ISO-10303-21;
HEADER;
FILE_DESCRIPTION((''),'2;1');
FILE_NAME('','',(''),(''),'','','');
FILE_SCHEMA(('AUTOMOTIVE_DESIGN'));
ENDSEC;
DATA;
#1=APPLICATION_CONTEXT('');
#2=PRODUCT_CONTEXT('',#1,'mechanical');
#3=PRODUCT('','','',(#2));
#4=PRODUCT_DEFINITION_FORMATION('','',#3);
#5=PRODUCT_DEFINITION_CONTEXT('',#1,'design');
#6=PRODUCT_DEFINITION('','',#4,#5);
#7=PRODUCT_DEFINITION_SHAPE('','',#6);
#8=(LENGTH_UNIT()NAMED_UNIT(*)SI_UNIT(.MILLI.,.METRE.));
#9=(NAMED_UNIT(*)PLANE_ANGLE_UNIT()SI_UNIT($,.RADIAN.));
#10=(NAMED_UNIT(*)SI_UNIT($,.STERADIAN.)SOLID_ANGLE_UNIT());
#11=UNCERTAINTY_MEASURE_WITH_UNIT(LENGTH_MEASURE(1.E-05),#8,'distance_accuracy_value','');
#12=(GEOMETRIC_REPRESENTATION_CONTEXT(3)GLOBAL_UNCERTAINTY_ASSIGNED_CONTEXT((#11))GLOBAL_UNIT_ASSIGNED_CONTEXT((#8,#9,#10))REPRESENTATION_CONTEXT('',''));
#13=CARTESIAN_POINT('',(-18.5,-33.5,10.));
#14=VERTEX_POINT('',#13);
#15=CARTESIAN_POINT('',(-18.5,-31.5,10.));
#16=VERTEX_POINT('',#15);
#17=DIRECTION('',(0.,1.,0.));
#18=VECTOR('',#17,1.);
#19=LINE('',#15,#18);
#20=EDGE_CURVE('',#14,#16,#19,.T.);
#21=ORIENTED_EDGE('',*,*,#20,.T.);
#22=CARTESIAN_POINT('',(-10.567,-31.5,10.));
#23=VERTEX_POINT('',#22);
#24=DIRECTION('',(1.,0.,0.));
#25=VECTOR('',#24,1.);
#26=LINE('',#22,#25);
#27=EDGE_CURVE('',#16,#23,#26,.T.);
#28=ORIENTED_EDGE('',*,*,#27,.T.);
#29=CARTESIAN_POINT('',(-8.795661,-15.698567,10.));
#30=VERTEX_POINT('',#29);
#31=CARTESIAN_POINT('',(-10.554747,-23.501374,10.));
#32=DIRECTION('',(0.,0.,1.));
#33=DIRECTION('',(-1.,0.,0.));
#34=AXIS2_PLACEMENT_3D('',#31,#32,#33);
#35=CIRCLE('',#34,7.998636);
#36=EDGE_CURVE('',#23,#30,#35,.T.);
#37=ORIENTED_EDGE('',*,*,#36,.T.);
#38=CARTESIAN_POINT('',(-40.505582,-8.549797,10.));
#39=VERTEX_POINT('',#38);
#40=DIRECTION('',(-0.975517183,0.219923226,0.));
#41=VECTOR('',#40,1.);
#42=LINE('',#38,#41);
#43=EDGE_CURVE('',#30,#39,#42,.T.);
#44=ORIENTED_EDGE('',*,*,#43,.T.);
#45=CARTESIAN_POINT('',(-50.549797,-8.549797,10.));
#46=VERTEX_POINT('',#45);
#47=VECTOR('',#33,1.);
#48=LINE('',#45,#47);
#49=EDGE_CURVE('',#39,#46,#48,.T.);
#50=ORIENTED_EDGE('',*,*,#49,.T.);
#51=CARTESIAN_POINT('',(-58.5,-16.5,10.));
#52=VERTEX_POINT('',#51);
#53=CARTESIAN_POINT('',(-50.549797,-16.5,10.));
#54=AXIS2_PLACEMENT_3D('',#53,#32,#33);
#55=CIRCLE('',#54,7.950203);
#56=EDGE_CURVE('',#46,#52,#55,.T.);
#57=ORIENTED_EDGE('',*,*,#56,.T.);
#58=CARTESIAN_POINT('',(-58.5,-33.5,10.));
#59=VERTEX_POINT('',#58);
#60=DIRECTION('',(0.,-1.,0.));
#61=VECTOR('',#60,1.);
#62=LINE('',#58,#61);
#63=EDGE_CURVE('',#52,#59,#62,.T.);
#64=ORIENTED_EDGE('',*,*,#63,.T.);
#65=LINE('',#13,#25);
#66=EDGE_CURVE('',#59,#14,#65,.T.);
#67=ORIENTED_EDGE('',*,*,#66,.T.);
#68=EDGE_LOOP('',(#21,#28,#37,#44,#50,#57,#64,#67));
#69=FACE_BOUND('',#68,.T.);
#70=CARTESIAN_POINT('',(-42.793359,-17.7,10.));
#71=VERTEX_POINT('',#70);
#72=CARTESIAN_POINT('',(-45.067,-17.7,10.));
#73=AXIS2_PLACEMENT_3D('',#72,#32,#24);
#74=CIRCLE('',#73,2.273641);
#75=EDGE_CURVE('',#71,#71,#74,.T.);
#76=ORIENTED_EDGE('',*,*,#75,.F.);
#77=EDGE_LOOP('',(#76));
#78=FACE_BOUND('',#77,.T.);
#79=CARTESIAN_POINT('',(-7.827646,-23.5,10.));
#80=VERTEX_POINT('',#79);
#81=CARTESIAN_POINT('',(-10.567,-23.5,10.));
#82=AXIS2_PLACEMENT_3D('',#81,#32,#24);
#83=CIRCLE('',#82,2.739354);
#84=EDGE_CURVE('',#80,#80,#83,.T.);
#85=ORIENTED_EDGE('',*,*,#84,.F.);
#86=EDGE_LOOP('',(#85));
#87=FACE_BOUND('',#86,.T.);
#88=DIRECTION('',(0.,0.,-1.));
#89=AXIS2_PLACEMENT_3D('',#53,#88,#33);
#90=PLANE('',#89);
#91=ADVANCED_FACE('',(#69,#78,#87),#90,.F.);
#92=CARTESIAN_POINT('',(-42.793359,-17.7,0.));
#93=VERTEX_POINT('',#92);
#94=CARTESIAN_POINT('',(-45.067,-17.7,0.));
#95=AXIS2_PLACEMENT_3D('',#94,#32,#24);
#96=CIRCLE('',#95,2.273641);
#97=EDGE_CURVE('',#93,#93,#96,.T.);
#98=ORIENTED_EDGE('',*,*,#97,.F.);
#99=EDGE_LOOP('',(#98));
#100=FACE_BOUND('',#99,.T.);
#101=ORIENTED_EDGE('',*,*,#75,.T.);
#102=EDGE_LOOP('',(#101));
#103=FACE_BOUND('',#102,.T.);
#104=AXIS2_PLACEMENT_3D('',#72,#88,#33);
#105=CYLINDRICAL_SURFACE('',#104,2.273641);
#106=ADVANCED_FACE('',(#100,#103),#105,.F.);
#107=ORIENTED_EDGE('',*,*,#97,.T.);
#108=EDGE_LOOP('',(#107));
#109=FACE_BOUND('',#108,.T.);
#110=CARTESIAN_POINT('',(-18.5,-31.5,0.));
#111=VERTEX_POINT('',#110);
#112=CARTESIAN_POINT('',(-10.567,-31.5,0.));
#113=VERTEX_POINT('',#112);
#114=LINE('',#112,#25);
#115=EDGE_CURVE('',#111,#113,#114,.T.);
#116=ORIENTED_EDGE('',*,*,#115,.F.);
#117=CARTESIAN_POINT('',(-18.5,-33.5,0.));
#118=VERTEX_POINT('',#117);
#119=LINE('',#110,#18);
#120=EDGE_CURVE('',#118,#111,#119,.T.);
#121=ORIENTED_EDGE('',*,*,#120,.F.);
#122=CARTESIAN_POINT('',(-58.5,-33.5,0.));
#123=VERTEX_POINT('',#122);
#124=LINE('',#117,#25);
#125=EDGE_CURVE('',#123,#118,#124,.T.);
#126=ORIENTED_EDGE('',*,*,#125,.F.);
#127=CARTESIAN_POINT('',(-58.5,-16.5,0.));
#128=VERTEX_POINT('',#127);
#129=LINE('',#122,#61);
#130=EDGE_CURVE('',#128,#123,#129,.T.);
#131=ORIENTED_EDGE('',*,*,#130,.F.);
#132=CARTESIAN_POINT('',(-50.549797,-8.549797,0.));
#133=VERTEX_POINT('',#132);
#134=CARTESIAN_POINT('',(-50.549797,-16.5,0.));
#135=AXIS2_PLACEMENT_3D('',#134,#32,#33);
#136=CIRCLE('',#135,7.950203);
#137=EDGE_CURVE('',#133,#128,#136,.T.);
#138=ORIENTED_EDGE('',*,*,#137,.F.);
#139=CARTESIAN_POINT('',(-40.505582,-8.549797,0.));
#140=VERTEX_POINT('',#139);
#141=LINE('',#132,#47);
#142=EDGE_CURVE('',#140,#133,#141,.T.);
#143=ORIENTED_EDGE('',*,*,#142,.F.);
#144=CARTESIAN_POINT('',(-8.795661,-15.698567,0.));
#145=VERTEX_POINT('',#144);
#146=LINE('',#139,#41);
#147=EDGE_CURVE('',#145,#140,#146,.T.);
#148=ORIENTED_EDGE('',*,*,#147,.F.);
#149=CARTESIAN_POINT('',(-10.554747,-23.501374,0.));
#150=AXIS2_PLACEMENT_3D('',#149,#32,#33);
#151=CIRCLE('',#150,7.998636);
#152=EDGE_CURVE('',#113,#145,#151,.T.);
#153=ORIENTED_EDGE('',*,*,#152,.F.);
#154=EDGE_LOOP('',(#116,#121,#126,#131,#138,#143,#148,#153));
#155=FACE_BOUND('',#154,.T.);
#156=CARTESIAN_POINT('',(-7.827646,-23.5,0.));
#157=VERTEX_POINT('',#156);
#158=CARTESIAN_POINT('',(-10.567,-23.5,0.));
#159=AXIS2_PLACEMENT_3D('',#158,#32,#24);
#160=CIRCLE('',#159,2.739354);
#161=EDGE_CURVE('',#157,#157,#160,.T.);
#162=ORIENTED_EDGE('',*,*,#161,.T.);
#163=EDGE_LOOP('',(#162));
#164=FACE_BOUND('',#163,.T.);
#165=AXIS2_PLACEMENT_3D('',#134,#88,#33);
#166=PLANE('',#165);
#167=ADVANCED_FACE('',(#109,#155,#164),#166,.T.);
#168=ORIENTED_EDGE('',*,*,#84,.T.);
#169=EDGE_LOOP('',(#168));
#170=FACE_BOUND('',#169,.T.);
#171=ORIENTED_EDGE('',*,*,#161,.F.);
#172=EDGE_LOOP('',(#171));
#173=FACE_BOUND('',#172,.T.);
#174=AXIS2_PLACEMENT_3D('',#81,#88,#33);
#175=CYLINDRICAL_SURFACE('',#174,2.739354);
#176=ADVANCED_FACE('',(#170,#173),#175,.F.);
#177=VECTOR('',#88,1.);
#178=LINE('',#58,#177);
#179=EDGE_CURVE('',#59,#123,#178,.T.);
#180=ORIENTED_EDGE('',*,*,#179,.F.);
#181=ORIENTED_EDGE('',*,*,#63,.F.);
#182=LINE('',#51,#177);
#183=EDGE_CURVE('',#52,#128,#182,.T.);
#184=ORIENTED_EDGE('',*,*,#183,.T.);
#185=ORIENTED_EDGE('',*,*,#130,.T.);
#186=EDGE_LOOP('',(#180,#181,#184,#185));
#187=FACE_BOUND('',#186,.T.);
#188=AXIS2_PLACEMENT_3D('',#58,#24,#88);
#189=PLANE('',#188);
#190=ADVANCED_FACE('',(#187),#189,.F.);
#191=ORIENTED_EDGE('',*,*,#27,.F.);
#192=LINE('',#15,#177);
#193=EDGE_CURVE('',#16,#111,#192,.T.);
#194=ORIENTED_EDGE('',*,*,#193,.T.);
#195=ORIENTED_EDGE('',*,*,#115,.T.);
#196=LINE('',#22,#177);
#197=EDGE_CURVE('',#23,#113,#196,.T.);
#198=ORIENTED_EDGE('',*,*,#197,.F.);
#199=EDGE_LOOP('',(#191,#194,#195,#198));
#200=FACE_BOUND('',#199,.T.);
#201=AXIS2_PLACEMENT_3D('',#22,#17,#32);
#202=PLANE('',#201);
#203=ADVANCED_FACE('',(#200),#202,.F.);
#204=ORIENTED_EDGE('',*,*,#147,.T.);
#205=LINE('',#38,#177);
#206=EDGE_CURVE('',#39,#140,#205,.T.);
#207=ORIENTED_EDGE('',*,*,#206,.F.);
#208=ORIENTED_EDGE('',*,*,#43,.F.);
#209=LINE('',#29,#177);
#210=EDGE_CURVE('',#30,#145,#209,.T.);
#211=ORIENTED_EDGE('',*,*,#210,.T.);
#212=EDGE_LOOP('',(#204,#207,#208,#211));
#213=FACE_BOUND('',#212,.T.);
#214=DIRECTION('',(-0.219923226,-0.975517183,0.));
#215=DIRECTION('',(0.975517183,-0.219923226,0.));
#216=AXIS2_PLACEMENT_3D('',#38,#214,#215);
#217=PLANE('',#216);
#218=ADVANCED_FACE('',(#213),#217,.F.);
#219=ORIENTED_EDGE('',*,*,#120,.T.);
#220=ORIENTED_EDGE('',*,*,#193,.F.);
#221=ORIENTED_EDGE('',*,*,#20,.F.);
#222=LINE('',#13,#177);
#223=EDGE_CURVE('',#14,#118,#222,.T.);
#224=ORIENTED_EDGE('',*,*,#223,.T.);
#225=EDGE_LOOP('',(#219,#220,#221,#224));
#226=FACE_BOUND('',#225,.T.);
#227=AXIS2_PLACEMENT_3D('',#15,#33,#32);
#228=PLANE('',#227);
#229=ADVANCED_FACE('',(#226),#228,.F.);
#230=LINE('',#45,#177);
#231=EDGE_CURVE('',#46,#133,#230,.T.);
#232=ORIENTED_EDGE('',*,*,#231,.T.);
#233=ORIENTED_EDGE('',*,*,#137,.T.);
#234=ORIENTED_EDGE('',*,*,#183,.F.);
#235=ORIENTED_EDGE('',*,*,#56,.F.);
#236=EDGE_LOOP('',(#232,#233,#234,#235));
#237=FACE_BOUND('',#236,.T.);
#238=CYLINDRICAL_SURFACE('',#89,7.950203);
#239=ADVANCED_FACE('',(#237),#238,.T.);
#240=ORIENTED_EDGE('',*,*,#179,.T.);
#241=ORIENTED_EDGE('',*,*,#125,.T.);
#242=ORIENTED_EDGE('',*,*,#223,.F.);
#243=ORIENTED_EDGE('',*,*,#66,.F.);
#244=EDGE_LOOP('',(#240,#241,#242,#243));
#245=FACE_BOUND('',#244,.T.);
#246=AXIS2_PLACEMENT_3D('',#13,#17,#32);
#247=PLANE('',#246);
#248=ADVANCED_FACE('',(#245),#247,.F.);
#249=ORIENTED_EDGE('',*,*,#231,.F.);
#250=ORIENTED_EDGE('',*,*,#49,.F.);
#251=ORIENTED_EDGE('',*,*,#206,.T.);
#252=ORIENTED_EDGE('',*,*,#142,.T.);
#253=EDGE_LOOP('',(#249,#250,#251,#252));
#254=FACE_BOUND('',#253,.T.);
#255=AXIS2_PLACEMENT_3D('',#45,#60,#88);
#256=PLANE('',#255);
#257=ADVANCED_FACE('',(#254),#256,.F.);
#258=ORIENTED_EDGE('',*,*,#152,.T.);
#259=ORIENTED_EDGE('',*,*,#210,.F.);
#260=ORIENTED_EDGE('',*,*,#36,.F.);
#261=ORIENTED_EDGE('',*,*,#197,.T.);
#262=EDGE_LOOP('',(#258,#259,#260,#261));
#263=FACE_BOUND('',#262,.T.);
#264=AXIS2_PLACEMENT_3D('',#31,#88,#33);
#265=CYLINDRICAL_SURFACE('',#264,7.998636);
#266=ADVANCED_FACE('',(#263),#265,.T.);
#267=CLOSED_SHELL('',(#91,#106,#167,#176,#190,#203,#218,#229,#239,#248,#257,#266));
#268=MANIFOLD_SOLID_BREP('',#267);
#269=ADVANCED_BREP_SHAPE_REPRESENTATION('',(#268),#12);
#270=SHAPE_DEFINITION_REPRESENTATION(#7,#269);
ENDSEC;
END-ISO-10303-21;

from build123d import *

# Parameters (mm, degrees)
CROQUIS1_R              = 2.273640803
CROQUIS1_R_2            = 2.739354484
SALIENTE_EXTRUIR1_DEPTH = 10


with BuildPart() as part:
    # Croquis1 → Saliente-Extruir1 (new body)
    with BuildSketch(Plane.XY):
        with BuildLine():
            Line((-58.5, -33.5), (-58.5, -16.5))
            ThreePointArc((-58.5, -16.5), (-56.171439372, -10.87835735), (-50.549796722, -8.549796722))
            Line((-50.549796722, -8.549796722), (-40.505582208, -8.549796722))
            Line((-40.505582208, -8.549796722), (-8.795660821, -15.698566958))
            ThreePointArc((-8.795660821, -15.698566958), (-2.605899054, -24.392438678), (-10.567, -31.5))
            Line((-10.567, -31.5), (-18.5, -31.5))
            Line((-18.5, -31.5), (-18.5, -33.5))
            Line((-18.5, -33.5), (-58.5, -33.5))
        make_face()
        with Locations((-45.067, -17.7)):
            Circle(CROQUIS1_R, mode=Mode.SUBTRACT)
        with Locations((-10.567, -23.5)):
            Circle(CROQUIS1_R_2, mode=Mode.SUBTRACT)
    extrude(amount=SALIENTE_EXTRUIR1_DEPTH)


solid = part.part
